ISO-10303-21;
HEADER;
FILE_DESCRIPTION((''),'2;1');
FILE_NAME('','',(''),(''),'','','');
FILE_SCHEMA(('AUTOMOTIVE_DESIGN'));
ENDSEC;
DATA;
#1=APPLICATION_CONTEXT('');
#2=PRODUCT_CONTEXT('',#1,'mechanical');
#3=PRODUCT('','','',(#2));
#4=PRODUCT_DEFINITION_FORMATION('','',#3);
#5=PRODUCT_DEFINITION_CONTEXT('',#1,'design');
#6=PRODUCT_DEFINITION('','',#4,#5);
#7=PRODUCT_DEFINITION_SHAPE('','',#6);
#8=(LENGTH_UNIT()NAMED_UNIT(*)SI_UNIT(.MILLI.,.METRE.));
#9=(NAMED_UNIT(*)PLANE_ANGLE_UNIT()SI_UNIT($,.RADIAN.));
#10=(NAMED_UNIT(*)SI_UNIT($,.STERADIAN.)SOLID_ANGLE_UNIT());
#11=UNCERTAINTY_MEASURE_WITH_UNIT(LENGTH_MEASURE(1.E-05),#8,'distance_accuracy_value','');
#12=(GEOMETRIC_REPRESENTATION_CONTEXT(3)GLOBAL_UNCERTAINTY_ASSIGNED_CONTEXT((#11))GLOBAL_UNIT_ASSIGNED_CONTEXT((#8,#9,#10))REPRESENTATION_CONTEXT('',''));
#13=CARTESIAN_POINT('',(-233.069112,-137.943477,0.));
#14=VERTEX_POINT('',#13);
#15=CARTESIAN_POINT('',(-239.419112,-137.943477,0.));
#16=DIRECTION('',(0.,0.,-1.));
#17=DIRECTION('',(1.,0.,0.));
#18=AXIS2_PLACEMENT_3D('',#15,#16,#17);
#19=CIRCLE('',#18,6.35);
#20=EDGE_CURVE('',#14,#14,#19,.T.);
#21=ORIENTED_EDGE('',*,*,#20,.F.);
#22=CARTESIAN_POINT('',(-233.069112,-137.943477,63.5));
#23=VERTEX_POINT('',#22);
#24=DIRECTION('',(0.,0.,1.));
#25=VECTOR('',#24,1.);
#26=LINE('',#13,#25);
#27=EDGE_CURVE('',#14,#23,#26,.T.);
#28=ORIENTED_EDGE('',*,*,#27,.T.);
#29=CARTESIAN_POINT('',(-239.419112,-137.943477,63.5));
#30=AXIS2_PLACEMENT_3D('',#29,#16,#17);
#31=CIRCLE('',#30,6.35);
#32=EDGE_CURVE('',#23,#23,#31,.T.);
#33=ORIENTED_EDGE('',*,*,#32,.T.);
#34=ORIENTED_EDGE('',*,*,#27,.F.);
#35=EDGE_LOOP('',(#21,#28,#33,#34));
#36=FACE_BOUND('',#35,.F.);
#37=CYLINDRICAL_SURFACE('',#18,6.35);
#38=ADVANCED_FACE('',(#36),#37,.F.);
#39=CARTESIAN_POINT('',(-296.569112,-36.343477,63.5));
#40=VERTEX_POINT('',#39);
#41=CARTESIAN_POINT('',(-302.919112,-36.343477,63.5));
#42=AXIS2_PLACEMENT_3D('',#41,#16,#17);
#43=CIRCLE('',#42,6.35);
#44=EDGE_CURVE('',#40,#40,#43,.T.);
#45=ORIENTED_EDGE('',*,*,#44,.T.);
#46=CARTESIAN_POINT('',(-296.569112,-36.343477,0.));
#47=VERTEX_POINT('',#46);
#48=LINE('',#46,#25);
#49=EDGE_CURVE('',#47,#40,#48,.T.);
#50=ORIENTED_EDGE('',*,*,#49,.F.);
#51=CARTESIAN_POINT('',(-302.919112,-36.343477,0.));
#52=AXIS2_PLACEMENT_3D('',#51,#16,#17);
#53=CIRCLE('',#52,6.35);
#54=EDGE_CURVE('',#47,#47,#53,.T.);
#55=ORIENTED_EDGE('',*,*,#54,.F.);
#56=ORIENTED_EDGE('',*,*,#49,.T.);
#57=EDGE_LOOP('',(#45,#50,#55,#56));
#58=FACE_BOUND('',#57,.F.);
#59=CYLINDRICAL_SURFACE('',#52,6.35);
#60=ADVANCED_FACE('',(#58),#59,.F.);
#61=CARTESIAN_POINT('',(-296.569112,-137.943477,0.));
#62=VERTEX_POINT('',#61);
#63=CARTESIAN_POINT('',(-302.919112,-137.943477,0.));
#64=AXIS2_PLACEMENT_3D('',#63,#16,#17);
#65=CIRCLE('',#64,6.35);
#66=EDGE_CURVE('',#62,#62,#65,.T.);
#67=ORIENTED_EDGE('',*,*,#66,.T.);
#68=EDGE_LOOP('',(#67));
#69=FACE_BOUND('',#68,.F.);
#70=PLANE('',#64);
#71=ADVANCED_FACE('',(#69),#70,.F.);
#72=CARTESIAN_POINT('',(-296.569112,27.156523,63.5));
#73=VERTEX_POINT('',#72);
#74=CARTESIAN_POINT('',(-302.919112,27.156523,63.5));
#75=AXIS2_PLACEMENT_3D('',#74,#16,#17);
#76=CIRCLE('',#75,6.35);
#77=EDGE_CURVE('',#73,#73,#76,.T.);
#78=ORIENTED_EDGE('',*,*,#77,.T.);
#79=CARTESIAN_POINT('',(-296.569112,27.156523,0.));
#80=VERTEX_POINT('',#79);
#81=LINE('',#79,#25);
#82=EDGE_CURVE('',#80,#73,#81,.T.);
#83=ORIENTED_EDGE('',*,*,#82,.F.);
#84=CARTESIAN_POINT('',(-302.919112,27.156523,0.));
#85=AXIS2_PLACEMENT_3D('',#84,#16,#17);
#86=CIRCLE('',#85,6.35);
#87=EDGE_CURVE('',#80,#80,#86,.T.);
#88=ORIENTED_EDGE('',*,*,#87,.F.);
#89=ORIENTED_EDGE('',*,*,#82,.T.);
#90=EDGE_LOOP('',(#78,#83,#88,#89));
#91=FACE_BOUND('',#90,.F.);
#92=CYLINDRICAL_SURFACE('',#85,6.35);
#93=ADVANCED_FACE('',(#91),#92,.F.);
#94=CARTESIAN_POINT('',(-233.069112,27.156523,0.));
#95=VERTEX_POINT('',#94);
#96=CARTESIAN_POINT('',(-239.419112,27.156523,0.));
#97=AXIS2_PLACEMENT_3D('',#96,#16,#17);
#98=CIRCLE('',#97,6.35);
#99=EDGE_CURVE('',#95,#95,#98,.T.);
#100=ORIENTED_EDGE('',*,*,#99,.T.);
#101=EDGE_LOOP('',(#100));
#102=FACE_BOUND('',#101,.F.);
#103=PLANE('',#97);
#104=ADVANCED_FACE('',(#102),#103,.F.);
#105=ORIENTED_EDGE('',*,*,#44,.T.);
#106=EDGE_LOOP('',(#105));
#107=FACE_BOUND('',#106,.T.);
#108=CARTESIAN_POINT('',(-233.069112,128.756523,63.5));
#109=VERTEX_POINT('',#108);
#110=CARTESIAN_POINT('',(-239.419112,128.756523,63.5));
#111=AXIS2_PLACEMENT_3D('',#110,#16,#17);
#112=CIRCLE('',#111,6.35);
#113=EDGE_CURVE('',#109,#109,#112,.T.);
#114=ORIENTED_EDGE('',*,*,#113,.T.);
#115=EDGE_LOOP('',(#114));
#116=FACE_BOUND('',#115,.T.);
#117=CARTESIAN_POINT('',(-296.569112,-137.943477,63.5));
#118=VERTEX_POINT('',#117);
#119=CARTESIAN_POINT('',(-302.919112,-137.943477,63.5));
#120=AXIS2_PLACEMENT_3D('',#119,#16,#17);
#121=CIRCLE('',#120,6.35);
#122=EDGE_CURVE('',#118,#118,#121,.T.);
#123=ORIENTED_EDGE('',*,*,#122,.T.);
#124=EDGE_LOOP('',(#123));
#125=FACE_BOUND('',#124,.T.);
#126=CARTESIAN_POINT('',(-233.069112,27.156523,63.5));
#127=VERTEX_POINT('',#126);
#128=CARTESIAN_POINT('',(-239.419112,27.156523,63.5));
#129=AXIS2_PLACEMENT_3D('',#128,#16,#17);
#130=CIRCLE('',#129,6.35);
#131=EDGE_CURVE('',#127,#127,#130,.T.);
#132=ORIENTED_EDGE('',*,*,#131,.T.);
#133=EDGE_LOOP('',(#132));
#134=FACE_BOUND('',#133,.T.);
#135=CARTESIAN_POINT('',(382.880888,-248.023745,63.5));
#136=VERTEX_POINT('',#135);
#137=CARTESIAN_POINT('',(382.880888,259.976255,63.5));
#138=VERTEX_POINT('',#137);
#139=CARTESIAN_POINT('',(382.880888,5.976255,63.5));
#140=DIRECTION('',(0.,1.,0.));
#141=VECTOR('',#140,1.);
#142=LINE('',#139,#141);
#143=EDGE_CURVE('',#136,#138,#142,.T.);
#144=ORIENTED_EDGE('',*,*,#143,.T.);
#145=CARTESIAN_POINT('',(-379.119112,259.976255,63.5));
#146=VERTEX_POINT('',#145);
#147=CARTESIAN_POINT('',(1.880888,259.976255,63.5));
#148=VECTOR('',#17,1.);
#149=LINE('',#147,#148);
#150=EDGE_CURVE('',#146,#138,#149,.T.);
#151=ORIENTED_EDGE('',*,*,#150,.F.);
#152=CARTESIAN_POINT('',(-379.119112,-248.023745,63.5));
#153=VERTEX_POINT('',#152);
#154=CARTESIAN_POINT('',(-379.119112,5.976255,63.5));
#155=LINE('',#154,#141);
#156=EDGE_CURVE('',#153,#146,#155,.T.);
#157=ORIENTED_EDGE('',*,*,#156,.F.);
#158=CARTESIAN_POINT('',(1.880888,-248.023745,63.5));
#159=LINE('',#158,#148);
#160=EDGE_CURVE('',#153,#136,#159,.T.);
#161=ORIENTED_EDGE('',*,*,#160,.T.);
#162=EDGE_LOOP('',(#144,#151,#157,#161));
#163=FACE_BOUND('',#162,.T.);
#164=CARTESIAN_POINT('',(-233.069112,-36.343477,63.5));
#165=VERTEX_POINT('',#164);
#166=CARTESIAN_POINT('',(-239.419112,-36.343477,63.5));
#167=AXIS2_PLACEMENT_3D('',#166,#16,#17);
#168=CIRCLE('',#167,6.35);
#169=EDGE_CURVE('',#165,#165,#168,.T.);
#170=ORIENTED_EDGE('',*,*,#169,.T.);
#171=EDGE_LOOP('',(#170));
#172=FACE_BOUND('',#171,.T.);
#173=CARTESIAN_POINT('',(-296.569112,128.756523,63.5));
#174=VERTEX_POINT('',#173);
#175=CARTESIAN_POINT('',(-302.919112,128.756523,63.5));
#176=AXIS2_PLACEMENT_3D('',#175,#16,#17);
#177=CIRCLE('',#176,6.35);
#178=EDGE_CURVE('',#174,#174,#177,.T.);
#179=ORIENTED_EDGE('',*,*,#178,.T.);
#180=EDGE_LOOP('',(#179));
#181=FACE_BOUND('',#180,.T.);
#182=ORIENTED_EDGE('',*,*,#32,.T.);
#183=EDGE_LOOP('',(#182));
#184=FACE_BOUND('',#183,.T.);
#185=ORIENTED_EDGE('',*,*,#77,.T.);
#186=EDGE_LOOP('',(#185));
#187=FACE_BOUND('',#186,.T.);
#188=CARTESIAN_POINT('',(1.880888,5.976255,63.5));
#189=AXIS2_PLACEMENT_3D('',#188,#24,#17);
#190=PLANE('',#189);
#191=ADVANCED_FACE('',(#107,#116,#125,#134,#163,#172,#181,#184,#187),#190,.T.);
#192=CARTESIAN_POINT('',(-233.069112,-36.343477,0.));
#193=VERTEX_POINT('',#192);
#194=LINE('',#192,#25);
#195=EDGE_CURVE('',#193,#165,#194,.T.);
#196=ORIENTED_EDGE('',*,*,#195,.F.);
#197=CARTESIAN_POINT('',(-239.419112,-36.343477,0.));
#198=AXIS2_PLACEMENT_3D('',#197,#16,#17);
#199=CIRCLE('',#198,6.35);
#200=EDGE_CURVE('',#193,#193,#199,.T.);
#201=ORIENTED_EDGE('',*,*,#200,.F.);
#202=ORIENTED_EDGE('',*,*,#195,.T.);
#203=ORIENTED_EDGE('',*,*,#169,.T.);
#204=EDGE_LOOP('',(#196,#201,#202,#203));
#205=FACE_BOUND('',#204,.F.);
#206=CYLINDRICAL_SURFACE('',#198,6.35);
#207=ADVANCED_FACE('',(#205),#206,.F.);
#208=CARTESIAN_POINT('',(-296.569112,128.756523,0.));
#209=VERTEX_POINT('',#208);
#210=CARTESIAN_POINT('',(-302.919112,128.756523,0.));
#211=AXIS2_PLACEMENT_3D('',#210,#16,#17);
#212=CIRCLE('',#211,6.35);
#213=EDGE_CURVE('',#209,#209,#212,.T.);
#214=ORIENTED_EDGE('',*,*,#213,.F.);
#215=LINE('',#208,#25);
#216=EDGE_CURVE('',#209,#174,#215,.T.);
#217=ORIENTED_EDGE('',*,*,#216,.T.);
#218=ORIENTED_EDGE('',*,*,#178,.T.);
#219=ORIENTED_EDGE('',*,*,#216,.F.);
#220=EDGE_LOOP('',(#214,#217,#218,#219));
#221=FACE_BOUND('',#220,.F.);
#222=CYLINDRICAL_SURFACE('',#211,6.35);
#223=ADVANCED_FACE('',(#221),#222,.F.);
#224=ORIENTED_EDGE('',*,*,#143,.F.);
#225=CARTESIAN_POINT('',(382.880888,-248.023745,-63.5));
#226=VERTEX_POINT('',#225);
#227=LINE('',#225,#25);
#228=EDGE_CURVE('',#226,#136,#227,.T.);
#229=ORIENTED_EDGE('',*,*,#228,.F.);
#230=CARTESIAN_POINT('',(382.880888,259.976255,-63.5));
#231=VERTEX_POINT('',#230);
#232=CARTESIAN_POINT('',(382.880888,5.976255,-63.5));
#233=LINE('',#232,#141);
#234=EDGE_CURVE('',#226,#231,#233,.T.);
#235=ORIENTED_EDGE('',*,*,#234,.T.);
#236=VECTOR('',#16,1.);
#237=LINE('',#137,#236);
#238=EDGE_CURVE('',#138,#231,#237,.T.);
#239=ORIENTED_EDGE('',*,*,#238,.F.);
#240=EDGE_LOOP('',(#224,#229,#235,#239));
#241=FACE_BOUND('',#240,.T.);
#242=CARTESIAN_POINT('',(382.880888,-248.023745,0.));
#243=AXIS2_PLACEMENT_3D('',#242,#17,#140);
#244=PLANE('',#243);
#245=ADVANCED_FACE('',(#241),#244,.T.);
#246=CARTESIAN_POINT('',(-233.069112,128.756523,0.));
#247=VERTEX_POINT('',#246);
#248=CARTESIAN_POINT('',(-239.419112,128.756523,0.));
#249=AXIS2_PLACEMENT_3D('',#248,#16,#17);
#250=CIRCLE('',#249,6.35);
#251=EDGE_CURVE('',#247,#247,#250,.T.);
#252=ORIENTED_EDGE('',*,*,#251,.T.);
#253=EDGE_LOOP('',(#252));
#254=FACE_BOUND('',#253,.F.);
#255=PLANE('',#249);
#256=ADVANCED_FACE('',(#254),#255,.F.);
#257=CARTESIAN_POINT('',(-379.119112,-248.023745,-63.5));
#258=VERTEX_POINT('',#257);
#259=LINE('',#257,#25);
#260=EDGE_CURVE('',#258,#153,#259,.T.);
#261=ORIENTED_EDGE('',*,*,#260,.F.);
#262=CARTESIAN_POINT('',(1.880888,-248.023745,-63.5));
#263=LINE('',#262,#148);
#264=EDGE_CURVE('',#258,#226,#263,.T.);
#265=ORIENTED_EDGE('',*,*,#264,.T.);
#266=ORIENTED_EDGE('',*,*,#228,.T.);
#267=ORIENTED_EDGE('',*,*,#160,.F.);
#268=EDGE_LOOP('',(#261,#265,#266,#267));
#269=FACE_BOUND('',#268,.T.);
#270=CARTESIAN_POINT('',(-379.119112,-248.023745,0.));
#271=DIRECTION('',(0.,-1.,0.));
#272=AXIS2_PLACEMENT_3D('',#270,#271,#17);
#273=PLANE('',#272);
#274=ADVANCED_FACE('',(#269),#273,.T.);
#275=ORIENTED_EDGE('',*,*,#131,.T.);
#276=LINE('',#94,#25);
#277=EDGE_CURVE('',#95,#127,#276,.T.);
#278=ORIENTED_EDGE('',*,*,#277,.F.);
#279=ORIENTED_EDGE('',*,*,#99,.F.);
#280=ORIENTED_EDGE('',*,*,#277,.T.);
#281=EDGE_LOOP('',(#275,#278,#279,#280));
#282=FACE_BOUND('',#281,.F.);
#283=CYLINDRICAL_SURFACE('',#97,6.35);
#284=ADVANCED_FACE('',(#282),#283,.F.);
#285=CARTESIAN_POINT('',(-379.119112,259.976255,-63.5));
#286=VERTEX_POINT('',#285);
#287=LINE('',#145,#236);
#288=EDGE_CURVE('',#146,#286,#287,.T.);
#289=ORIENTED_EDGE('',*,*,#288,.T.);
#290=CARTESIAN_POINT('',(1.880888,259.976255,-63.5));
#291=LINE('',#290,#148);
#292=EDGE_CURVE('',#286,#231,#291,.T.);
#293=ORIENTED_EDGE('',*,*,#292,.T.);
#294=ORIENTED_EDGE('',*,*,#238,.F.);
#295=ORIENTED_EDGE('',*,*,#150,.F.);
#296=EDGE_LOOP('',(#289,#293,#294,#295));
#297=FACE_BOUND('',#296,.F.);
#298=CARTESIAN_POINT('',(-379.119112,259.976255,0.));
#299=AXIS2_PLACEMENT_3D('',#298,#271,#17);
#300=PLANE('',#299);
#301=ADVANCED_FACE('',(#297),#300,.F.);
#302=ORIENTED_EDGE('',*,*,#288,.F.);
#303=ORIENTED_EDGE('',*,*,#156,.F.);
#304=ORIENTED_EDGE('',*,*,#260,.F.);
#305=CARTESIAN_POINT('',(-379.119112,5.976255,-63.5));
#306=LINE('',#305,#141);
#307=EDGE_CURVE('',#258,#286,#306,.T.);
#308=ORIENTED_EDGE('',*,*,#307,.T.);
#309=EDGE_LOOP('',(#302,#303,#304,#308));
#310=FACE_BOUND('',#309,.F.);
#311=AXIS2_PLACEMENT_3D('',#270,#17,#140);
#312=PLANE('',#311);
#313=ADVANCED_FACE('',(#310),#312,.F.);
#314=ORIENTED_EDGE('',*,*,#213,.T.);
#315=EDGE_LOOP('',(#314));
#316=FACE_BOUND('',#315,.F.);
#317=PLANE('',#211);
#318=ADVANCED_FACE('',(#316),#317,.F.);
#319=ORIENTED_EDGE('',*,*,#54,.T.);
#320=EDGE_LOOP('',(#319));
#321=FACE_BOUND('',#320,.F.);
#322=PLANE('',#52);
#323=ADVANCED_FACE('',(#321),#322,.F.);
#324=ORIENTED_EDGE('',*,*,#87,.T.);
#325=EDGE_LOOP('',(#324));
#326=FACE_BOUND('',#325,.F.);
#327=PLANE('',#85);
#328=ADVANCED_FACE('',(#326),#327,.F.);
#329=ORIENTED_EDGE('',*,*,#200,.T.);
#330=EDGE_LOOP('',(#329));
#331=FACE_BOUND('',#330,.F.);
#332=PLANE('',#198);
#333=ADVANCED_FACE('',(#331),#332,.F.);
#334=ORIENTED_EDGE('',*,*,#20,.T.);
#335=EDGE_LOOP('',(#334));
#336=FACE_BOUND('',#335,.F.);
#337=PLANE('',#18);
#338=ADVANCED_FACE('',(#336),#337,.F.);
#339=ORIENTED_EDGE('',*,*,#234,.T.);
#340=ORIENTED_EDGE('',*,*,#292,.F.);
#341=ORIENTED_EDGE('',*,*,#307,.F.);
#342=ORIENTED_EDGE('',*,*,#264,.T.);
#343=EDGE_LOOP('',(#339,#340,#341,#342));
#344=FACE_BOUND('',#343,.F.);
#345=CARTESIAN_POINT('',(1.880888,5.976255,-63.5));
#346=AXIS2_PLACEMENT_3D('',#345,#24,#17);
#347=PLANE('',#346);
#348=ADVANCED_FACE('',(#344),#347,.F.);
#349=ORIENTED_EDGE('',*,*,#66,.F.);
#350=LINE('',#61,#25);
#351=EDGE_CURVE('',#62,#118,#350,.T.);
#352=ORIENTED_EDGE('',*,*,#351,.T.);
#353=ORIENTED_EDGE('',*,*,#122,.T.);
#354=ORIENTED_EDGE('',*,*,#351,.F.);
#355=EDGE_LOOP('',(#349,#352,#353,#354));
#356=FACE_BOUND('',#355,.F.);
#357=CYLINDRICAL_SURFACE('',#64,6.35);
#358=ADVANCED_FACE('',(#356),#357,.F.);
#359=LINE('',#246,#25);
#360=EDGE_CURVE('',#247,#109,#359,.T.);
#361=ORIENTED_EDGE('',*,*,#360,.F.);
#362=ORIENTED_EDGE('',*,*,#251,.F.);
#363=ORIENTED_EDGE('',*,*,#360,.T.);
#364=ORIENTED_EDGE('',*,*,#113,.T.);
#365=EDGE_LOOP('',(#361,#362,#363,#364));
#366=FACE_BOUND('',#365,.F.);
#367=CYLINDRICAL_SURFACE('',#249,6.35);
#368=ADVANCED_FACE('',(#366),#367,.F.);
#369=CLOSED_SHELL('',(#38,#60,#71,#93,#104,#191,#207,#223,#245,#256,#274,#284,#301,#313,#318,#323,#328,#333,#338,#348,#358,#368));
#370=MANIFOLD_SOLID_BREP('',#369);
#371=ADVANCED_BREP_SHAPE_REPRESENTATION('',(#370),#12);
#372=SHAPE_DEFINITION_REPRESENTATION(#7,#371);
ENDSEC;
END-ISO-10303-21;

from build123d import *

# Parameters (mm, degrees)
F0_W     = 762
F0_H     = 508
F1_DEPTH = 63.5
F2_D     = 12.7
F2_DEPTH = 63.501


with BuildPart() as f1:
    # F0 (on Top) → F1 (new body, symmetric)
    with BuildSketch(Plane.XY):
        with Locations((1.8808878958, 5.9762554561)):
            Rectangle(F0_W, F0_H)
    extrude(amount=F1_DEPTH, both=True)

    # F2 (through all, one way)
    with BuildSketch(Plane(origin=(0, 0, 0), x_dir=(1, 0, 0), z_dir=(0, 0, -1))):
        with Locations((-302.9191121042, -128.7565231323), (-239.4191121042, -128.7565231323), (-302.9191121042, -27.1565231323), (-239.4191121042, -27.1565231323), (-302.9191121042, 36.3434768677), (-239.4191121042, 36.3434768677), (-302.9191121042, 137.9434768677), (-239.4191121042, 137.9434768677)):
            Circle(F2_D / 2)
    extrude(amount=-F2_DEPTH, mode=Mode.SUBTRACT)


solid = f1.part
